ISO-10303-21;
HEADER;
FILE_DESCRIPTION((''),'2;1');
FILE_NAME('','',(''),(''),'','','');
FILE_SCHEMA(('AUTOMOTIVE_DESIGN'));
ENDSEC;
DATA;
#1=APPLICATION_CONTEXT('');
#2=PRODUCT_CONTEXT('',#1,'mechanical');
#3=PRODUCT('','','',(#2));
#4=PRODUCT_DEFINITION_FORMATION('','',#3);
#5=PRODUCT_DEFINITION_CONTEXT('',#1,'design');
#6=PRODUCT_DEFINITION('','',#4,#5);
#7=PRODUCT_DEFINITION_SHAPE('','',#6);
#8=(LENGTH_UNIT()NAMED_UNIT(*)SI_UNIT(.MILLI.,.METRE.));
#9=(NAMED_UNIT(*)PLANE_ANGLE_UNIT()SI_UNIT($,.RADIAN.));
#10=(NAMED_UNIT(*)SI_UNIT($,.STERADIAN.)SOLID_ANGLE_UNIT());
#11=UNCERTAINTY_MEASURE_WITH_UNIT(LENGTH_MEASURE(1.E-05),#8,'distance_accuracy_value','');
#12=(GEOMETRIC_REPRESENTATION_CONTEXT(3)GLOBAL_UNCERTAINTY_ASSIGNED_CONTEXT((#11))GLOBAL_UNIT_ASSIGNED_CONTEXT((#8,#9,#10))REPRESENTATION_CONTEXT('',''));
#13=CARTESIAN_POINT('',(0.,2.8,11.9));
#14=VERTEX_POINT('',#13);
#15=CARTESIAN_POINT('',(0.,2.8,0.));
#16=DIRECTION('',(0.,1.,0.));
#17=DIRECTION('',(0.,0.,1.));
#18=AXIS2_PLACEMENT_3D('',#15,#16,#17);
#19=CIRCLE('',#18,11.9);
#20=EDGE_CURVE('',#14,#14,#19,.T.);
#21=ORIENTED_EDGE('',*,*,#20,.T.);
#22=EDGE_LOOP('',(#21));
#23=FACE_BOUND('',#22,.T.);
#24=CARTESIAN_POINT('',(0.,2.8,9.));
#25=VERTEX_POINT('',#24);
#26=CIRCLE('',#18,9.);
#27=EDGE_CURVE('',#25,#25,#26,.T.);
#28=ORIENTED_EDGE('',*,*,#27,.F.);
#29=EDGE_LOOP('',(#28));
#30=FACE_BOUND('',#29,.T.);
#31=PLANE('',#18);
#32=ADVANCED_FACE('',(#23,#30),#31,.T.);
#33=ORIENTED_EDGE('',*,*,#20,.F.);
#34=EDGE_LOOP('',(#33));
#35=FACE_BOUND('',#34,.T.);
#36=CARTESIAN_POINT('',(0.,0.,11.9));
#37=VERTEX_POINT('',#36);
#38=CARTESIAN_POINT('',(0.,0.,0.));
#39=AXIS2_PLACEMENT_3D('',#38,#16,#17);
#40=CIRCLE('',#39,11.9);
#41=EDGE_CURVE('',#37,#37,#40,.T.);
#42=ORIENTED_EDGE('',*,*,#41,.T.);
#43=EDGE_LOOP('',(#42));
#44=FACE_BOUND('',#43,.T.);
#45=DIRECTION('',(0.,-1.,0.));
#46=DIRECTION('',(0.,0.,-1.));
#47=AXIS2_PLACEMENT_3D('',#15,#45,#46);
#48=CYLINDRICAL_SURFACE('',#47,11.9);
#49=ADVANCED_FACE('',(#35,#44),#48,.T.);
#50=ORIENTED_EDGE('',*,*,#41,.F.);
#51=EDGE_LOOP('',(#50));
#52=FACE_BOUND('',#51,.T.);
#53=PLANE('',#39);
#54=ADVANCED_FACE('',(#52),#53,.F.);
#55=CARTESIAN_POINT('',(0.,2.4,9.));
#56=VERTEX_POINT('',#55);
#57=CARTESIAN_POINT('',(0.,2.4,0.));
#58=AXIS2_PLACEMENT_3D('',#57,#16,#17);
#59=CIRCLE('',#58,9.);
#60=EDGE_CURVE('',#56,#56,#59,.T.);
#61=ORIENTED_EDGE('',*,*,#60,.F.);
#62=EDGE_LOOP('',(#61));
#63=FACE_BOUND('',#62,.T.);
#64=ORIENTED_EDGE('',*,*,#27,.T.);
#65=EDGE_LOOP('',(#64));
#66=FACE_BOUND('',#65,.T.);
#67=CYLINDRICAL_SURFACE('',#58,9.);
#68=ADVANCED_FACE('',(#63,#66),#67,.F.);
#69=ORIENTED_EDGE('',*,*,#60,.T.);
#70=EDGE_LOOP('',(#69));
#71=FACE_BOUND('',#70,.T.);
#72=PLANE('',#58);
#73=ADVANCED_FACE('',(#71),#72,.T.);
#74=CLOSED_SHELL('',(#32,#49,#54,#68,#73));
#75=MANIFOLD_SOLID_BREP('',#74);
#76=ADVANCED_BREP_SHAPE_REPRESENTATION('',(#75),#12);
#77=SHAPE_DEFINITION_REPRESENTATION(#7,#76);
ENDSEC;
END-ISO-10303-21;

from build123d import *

# Parameters (mm, degrees)
SKETCH_1_R          = 11.9
EXTRUDE_1_DEPTH     = 2.8
SKETCH_2_R          = 9
CUT_EXTRUDE_1_DEPTH = 0.4


with BuildPart() as part:
    # 草图1 → 凸台-拉伸1 (new body)
    with BuildSketch(Plane(origin=(0, 0, 0), x_dir=(1, 0, 0), z_dir=(0, 1, 0))):
        with Locations(Location((0, 0, 0), (0, 0, 270))):
            Circle(SKETCH_1_R)
    extrude(amount=EXTRUDE_1_DEPTH)

    # 草图2 → 切除-拉伸1 (cut)
    with BuildSketch(Plane(origin=(0, 2.8, 0), x_dir=(1, 0, 0), z_dir=(0, 1, 0))):
        with Locations(Location((0, 0, 0), (0, 0, 270))):
            Circle(SKETCH_2_R)
    extrude(amount=-CUT_EXTRUDE_1_DEPTH, mode=Mode.SUBTRACT)


solid = part.part
